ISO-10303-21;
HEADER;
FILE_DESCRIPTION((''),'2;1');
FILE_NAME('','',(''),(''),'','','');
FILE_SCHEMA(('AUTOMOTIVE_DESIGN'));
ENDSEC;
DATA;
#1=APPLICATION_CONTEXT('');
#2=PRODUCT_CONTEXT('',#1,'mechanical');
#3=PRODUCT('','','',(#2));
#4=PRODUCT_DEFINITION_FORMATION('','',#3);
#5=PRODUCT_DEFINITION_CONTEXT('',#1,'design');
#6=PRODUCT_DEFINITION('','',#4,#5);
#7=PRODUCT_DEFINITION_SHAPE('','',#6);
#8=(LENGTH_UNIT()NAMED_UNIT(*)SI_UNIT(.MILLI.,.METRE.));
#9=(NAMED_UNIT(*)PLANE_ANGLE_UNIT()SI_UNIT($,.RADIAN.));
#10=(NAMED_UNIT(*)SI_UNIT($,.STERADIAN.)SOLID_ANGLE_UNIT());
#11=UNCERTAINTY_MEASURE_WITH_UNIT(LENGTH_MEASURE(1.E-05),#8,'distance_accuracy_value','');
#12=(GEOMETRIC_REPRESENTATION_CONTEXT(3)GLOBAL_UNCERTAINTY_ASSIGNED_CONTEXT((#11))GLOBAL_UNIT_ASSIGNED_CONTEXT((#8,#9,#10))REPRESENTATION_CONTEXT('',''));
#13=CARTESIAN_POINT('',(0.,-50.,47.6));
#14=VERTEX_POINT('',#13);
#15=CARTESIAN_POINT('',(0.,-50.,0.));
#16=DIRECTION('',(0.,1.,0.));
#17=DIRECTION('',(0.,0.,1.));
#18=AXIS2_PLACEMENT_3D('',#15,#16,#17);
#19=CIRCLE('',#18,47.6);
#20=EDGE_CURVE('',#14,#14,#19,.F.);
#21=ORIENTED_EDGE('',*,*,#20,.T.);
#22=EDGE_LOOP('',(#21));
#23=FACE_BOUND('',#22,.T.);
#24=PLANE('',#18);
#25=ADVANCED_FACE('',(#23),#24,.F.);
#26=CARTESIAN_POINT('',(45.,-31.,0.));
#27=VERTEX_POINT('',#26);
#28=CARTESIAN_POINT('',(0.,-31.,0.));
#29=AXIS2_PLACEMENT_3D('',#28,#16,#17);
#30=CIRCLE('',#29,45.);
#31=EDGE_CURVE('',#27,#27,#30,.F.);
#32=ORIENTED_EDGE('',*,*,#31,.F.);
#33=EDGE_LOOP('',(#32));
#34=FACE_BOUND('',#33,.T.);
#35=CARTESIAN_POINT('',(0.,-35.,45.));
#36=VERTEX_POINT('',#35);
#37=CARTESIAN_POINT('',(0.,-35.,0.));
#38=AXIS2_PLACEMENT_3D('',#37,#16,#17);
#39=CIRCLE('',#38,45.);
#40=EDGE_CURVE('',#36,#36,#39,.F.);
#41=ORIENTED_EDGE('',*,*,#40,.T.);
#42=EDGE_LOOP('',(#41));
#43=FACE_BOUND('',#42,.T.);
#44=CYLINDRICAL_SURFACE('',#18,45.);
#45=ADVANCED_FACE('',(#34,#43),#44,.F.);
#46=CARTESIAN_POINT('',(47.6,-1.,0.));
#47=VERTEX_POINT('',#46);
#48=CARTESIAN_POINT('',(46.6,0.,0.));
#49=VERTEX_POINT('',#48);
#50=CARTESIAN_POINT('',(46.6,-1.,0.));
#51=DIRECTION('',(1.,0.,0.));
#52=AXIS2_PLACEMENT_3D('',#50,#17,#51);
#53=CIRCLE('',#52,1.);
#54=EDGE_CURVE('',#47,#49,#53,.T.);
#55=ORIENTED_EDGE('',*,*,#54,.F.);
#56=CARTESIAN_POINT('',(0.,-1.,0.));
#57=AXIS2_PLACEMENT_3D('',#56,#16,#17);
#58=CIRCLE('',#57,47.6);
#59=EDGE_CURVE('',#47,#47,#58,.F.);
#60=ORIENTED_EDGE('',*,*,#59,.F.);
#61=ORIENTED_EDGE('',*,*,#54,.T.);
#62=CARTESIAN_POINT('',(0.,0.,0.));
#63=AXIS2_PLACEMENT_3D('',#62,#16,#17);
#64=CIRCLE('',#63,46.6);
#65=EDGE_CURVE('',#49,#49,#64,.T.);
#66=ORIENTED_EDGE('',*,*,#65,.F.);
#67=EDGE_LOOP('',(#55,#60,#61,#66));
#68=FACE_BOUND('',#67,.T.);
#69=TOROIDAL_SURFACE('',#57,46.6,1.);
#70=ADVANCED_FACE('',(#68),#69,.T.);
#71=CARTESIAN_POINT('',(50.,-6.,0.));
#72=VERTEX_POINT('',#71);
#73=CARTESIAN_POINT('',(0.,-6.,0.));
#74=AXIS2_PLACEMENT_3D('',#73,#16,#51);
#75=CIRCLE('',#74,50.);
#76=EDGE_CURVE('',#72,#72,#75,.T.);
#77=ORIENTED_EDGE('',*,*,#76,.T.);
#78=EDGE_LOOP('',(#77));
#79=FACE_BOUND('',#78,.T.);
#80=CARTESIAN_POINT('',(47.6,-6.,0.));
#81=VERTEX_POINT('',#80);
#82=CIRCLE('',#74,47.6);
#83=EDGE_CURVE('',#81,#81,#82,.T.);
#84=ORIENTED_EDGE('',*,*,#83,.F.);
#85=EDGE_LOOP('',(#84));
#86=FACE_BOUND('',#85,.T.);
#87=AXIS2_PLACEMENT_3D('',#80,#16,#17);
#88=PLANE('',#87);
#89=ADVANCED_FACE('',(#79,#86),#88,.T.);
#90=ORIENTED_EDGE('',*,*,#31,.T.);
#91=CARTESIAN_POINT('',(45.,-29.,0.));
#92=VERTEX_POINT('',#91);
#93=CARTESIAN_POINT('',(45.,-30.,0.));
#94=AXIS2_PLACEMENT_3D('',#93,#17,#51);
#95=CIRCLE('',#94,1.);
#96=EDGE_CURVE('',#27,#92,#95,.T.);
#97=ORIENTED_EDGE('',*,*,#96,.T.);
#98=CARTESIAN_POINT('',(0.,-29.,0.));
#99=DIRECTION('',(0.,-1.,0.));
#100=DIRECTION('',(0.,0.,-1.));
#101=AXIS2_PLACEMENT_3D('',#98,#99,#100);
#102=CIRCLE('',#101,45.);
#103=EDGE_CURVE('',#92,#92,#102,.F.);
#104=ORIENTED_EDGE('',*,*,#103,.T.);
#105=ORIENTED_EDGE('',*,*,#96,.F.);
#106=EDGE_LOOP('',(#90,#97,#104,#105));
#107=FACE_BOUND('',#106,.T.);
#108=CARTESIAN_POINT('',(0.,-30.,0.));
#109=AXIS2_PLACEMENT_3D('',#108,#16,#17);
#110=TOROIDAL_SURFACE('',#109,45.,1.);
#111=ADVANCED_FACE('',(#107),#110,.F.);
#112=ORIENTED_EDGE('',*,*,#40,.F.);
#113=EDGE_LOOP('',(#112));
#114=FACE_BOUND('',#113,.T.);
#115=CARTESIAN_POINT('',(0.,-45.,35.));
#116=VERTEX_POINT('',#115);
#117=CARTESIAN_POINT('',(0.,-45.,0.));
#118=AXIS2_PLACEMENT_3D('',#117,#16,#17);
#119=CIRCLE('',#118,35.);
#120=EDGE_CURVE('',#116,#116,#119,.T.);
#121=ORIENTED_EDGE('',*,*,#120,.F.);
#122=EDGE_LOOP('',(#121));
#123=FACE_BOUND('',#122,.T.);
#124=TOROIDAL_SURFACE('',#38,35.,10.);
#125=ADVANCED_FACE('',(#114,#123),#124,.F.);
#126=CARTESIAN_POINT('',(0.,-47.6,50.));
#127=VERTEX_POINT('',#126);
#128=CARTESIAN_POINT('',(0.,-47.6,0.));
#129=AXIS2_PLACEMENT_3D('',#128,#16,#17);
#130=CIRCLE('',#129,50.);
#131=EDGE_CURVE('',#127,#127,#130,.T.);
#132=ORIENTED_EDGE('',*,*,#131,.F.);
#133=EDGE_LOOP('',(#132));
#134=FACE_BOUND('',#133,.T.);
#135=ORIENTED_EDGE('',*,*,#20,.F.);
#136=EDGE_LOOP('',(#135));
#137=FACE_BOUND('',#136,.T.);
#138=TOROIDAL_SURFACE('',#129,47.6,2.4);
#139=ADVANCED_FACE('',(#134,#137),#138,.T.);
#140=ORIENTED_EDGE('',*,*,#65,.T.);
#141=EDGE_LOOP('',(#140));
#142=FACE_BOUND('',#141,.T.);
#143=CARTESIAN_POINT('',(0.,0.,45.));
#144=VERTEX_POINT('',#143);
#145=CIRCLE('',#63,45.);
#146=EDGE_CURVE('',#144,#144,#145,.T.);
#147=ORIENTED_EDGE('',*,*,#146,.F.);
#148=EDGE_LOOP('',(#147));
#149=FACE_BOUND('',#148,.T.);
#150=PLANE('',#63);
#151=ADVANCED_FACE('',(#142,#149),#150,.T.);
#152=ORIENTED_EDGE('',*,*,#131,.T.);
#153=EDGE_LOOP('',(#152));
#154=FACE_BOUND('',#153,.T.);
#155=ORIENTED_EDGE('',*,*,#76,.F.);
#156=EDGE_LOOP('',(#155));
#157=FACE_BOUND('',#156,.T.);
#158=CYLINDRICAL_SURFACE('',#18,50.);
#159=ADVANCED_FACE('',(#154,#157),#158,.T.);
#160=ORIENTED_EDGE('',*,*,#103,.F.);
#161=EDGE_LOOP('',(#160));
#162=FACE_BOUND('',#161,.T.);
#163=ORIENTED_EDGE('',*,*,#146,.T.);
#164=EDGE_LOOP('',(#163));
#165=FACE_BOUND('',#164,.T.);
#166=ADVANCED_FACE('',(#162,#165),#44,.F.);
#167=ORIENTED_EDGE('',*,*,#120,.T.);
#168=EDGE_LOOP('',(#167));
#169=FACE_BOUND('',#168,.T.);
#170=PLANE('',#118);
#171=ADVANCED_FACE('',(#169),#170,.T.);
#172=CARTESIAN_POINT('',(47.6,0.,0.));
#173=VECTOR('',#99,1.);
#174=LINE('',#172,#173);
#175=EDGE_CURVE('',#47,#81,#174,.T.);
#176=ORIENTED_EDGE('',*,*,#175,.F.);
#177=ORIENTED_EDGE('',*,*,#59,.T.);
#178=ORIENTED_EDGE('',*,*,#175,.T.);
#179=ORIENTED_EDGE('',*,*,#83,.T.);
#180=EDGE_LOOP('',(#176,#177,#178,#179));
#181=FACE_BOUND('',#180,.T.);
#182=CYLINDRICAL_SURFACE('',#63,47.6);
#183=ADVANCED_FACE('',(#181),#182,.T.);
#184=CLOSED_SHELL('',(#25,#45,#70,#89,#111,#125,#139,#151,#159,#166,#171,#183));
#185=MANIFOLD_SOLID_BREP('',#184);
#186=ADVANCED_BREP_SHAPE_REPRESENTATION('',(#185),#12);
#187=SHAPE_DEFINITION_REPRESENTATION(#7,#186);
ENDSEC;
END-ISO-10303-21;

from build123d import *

# Parameters (mm, degrees)
SKETCH1_R           = 50
BOSS_EXTRUDE1_DEPTH = 50
SHELL2_T            = -5
SKETCH3_W           = 2.4
SKETCH3_H           = 6
FILLET1_R           = 1
FILLET2_R           = 10
FILLET3_R           = 2.4
SKETCH6_R           = 1


with BuildPart() as part:
    # Sketch1 → Boss-Extrude1 (new body)
    with BuildSketch(Plane(origin=(0, 0, 0), x_dir=(1, 0, 0), z_dir=(0, 1, 0))):
        with Locations(Location((0, 0, 0), (0, 0, 270))):
            Circle(SKETCH1_R)
    extrude(amount=-BOSS_EXTRUDE1_DEPTH)

    # Shell2
    shell2_openings = [part.faces().sort_by_distance(p)[0] for p in [
        (0, 0, 0),
    ]]
    offset(amount=SHELL2_T, openings=shell2_openings, kind=Kind.INTERSECTION)

    # Cut-Sweep1: sweep along a path in Sketch4
    with BuildLine(Plane(origin=(0, 0, 0), x_dir=(1, 0, 0), z_dir=(0, 1, 0))) as cut_sweep1_path:
        CenterArc((0, 0), 47.6, 0, 360)
    # Sketch3 → Cut-Sweep1 (sweep, cut)
    with BuildSketch(Plane.XY):
        with Locations((48.8, -3)):
            Rectangle(SKETCH3_W, SKETCH3_H)
    sweep(path=cut_sweep1_path.line, mode=Mode.SUBTRACT)

    # Fillet1
    fillet1_edges = [part.edges().sort_by_distance(p)[0] for p in [
        (-47.6, 0, 0),
    ]]
    fillet(fillet1_edges, radius=FILLET1_R)

    # Fillet2
    fillet2_edges = [part.edges().sort_by_distance(p)[0] for p in [
        (0, -45, -45),
    ]]
    fillet(fillet2_edges, radius=FILLET2_R)

    # Fillet3
    fillet3_edges = [part.edges().sort_by_distance(p)[0] for p in [
        (0, -50, -50),
    ]]
    fillet(fillet3_edges, radius=FILLET3_R)

    # Cut-Sweep2: sweep along a path in Sketch5
    with BuildLine(Plane(origin=(0, -30, 0), x_dir=(1, 0, 0), z_dir=(0, 1, 0))) as cut_sweep2_path:
        CenterArc((0, 0), 45, 0, 360)
    # Sketch6 → Cut-Sweep2 (sweep, cut)
    with BuildSketch(Plane.XY):
        with Locations((45, -30)):
            Circle(SKETCH6_R)
    sweep(path=cut_sweep2_path.line, mode=Mode.SUBTRACT)


solid = part.part
